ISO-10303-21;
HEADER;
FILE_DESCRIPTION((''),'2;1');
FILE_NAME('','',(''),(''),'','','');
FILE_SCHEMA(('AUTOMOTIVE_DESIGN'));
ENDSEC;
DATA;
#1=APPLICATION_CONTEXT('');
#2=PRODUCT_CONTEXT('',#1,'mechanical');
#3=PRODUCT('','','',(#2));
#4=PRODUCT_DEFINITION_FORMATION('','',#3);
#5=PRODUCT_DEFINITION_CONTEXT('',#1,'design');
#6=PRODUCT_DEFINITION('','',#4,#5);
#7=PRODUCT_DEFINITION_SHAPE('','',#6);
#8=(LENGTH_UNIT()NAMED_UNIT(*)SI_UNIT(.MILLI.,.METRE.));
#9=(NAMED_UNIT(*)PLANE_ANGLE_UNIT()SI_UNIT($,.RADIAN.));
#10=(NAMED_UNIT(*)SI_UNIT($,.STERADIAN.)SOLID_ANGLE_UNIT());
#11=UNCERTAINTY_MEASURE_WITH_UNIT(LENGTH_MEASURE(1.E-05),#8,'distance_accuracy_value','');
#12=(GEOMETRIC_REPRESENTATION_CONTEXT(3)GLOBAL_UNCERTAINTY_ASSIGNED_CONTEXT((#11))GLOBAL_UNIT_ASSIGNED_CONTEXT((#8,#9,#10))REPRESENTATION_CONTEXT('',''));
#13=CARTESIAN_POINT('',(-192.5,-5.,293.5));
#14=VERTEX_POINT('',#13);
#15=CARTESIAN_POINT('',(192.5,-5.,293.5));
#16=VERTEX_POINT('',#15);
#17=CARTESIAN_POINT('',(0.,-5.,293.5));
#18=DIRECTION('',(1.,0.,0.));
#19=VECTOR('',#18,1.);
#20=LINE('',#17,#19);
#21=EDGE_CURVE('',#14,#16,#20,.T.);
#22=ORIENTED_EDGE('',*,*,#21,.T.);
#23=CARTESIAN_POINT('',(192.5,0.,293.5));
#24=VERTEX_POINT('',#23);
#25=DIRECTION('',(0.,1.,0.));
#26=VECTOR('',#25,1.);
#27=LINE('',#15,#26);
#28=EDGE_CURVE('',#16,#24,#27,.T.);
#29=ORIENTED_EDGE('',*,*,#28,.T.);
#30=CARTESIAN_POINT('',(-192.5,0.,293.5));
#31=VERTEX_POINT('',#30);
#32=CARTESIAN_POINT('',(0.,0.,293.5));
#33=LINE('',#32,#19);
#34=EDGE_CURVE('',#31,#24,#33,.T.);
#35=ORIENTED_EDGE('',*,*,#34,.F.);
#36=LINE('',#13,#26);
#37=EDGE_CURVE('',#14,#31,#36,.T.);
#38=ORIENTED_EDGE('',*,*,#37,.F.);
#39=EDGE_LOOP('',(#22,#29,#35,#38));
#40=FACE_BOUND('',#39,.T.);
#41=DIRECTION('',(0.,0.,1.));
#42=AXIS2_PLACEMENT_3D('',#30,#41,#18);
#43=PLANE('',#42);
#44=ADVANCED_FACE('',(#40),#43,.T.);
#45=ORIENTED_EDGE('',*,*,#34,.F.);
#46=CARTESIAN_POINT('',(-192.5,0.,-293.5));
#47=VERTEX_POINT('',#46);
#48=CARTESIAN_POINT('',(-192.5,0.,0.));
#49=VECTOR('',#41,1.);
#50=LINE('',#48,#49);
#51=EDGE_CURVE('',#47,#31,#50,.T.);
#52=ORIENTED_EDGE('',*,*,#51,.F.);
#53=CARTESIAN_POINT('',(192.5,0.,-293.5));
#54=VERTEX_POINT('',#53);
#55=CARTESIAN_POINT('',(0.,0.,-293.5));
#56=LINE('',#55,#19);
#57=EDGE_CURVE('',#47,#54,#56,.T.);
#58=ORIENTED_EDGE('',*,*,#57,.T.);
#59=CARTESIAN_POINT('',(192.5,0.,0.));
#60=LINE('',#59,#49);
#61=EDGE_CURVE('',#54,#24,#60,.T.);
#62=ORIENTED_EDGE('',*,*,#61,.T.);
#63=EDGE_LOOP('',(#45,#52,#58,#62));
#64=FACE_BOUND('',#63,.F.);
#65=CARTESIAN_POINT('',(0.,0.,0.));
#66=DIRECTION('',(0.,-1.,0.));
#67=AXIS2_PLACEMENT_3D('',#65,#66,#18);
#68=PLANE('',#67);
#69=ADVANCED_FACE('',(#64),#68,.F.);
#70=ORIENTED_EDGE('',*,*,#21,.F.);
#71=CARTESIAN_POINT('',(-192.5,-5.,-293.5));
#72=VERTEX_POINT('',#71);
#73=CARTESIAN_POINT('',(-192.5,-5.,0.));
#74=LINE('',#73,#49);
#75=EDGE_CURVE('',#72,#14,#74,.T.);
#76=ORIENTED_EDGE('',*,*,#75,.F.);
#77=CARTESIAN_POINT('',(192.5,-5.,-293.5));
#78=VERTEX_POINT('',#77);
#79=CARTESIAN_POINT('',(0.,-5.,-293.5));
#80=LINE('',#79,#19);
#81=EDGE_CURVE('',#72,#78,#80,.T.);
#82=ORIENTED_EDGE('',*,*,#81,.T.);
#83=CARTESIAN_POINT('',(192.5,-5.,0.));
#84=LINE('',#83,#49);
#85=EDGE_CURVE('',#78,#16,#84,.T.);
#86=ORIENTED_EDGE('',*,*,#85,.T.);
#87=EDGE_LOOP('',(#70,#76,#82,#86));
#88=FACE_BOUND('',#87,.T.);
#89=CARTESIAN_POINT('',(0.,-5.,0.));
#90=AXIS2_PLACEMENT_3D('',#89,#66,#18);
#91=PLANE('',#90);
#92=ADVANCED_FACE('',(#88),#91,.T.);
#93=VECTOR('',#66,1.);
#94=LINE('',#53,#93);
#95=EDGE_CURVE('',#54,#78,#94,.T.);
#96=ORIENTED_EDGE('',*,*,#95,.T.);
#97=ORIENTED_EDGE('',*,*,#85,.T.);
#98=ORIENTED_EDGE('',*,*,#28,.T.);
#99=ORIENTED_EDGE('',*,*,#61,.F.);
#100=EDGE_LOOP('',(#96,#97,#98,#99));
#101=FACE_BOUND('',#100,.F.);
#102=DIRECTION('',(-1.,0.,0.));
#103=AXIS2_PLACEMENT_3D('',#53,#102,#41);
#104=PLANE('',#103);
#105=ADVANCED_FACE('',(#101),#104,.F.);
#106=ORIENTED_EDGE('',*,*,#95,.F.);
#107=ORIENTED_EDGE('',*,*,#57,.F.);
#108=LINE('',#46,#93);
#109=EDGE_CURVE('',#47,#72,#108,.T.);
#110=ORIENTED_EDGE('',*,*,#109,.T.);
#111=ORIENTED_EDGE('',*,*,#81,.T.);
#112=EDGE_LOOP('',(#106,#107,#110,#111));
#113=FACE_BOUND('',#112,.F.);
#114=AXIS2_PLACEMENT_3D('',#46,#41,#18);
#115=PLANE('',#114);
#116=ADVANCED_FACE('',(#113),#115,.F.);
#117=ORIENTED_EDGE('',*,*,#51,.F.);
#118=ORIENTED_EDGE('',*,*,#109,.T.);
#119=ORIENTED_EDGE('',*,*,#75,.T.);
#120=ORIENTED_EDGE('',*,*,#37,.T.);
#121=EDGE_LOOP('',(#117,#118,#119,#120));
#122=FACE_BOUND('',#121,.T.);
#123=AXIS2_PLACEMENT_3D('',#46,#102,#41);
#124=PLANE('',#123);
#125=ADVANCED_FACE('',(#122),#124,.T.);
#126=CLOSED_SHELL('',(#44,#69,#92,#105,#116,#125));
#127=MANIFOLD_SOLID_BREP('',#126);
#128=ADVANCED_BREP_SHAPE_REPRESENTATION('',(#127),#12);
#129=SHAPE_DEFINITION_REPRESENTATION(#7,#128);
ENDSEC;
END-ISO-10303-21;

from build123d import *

# Parameters (mm, degrees)
F0_W     = 385
F0_H     = 587
F1_DEPTH = 0.5
F2_DEPTH = 5


with BuildPart() as f1:
    # F0 (on Front) → F1 (new body)
    with BuildSketch(Plane.XZ):
        Rectangle(F0_W, F0_H)
    extrude(amount=F1_DEPTH)

    # F0 (on Front) → F2 (join)
    with BuildSketch(Plane.XZ):
        Rectangle(F0_W, F0_H)
    extrude(amount=F2_DEPTH)


solid = f1.part
